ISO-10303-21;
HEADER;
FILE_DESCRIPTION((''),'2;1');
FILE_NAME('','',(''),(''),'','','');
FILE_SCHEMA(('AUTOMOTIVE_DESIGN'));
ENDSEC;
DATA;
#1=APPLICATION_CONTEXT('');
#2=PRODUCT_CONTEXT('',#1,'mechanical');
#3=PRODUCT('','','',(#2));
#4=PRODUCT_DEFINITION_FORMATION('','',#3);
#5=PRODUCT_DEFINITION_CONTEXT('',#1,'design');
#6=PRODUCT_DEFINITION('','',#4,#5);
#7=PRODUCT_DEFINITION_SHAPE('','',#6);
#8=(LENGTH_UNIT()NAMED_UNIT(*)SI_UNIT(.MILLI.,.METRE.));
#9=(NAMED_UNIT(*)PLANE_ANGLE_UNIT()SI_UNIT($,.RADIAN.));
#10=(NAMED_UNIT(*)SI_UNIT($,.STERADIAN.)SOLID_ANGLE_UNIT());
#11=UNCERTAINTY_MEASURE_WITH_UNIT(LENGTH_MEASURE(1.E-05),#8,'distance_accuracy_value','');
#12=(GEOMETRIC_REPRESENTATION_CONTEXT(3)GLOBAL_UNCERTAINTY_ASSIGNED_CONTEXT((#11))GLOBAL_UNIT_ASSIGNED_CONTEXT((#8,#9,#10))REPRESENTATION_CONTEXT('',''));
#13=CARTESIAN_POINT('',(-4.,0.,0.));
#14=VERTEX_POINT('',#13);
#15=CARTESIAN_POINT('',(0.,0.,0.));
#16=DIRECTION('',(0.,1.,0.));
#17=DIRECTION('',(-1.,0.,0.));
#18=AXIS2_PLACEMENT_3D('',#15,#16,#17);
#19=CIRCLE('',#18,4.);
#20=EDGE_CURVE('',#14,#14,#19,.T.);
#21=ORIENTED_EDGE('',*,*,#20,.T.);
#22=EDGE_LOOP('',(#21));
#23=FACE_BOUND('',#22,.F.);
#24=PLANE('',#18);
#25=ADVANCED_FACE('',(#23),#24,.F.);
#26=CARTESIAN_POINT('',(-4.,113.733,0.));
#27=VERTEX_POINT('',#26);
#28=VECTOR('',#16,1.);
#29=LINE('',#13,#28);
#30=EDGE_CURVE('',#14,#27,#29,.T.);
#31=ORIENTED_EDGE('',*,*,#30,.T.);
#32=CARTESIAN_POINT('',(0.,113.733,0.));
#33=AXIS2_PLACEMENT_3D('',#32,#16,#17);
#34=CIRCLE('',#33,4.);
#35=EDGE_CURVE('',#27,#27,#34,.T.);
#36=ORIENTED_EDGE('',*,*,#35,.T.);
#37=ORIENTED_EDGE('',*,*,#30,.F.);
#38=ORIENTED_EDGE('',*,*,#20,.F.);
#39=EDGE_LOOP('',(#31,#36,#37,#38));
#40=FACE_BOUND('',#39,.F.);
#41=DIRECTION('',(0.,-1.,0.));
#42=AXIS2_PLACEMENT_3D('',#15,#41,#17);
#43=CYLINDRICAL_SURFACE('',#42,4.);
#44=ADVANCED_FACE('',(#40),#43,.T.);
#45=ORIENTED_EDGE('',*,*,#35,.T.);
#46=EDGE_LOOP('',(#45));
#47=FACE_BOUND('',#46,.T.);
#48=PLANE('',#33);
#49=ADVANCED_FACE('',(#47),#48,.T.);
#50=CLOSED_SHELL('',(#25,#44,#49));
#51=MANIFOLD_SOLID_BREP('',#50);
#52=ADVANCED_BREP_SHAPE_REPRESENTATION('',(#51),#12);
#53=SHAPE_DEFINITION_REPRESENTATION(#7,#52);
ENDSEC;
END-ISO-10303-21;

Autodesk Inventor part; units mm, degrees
ref_plane "YZ Plane" through (0, 0, 0) normal (1, 0, 0) x (0, 1, 0)
ref_plane "XZ Plane" through (0, 0, 0) normal (0, 1, 0) x (-1, 0, 0)
ref_plane "XY Plane" through (0, 0, 0) normal (0, 0, 1) x (1, 0, 0)
sketch "Sketch2" plane through (0, 0, 0) normal (0, 1, 0) x (-1, 0, 0)
  circle A0 centre (0, 0) radius 4
  dimension "d7" = 8
extrude "Extrusion2" add sketch "Sketch2" along normal blind 113.733
thread "Thread3" size "M8x1.25" class "6g" standard "ANSI Metric M Profile" length 12
thread "Thread4" size "M8x1.25" class "6g" standard "ANSI Metric M Profile" length 12
properties part number "shaft test"
